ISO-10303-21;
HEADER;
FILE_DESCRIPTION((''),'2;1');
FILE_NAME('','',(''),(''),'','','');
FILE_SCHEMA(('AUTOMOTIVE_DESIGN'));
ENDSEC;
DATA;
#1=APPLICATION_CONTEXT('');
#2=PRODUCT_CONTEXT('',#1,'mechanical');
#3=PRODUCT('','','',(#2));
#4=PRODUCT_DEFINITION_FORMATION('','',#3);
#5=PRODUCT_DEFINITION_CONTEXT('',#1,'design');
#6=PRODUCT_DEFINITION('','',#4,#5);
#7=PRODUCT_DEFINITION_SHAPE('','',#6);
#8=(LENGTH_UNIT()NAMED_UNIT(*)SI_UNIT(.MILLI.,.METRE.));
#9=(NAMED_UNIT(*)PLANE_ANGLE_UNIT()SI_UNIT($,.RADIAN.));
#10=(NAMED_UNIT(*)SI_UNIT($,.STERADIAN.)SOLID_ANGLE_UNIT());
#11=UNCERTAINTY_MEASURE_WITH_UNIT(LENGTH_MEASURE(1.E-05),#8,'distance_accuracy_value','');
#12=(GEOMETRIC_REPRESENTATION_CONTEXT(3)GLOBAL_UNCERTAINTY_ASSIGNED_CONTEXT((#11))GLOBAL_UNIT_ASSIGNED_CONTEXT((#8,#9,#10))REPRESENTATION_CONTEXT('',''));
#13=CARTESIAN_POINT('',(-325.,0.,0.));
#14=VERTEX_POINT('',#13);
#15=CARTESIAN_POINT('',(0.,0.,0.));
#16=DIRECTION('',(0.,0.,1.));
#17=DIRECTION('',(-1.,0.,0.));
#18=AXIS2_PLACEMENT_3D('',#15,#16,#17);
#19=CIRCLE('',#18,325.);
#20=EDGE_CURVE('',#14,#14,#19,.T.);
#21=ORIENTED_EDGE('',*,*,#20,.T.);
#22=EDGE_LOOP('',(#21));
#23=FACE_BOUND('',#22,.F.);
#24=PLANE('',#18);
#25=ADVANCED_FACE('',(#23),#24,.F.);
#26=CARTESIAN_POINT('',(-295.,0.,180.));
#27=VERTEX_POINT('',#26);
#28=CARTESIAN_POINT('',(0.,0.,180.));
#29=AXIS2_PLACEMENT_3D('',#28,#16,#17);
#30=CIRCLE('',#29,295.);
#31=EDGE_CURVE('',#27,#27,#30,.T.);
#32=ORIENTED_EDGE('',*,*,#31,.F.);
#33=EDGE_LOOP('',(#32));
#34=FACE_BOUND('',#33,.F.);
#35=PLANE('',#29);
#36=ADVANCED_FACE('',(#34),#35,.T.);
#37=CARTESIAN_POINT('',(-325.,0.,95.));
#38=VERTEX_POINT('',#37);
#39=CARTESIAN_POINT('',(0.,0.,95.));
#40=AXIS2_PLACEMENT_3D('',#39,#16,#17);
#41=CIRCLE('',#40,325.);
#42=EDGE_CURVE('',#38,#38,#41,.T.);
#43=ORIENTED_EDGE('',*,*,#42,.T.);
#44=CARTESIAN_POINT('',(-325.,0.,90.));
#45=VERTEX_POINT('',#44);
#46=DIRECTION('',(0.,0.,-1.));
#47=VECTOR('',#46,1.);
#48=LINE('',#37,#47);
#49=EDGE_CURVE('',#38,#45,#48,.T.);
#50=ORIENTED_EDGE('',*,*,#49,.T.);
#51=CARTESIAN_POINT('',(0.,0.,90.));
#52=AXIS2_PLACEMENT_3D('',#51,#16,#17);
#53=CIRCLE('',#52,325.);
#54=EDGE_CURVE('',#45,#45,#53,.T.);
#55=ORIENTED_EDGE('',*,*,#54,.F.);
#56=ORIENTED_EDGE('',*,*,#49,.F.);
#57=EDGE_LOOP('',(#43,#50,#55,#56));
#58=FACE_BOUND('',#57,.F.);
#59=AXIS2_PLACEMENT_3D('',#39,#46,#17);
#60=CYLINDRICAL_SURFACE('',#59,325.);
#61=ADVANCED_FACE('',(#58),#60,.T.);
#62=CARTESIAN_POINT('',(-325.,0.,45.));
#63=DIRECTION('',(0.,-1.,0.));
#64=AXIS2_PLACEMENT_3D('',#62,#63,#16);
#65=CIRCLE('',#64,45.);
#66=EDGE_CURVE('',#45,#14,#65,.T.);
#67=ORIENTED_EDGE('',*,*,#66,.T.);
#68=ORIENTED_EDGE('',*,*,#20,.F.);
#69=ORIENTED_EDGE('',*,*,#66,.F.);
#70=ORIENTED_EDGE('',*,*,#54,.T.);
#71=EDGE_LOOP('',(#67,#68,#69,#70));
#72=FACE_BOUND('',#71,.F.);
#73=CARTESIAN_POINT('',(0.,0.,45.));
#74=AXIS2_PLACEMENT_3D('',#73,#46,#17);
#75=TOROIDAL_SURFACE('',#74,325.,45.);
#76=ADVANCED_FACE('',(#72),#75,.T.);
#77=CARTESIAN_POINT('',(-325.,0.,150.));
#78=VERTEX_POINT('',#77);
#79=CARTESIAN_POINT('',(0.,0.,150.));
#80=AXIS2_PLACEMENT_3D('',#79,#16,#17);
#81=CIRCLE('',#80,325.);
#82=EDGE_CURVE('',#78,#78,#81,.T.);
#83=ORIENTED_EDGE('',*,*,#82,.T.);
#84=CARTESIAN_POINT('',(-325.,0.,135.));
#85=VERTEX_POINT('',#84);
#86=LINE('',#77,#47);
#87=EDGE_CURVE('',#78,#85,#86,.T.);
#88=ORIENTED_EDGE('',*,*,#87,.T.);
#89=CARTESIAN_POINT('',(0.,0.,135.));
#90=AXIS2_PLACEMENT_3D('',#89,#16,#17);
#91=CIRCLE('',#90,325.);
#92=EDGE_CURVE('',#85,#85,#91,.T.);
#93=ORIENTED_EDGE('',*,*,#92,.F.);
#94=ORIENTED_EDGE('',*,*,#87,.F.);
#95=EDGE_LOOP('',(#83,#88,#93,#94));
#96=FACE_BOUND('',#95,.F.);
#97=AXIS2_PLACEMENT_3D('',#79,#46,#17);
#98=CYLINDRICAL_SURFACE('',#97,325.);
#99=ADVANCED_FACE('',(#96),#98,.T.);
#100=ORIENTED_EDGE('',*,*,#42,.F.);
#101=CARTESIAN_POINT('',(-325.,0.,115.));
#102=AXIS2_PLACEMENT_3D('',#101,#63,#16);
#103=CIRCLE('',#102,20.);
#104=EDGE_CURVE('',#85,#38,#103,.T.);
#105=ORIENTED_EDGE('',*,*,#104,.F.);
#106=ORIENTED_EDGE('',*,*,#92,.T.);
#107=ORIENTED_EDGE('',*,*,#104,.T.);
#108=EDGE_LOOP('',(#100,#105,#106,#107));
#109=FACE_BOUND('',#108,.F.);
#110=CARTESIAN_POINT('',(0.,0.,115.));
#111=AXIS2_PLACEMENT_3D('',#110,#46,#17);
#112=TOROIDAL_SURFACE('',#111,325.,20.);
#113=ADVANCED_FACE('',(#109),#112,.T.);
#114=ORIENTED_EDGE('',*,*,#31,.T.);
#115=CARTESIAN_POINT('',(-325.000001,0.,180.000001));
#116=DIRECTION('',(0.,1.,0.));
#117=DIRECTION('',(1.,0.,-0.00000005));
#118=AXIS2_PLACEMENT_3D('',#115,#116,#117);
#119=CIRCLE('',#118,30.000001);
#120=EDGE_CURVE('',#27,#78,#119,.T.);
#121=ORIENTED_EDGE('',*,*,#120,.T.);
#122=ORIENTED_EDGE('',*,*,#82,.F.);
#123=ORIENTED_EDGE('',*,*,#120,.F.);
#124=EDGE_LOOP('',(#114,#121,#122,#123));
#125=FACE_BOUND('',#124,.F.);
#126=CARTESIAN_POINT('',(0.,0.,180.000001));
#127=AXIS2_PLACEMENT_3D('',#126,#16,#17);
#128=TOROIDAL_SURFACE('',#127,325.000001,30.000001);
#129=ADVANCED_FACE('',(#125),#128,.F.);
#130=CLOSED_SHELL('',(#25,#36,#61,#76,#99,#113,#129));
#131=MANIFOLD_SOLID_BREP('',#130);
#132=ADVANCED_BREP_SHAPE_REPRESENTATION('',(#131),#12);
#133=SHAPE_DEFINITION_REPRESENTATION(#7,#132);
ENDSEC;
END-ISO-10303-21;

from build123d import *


with BuildPart() as f1:
    # F0 (on Front) → F1 (revolve)
    with BuildSketch(Plane.XZ):
        with BuildLine():
            Line((-325, 0), (0, 0))
            Line((0, 0), (0, 180))
            Line((0, 180), (-295, 180))
            ThreePointArc((-295, 180), (-303.786797, 158.786797), (-325, 150))
            Line((-325, 150), (-325, 135))
            ThreePointArc((-325, 135), (-345, 115), (-325, 95))
            Line((-325, 95), (-325, 90))
            ThreePointArc((-325, 90), (-370, 45), (-325, 0))
        make_face()
    revolve(axis=Axis((0, 0, 90), (0, 0, 1)))


solid = f1.part
